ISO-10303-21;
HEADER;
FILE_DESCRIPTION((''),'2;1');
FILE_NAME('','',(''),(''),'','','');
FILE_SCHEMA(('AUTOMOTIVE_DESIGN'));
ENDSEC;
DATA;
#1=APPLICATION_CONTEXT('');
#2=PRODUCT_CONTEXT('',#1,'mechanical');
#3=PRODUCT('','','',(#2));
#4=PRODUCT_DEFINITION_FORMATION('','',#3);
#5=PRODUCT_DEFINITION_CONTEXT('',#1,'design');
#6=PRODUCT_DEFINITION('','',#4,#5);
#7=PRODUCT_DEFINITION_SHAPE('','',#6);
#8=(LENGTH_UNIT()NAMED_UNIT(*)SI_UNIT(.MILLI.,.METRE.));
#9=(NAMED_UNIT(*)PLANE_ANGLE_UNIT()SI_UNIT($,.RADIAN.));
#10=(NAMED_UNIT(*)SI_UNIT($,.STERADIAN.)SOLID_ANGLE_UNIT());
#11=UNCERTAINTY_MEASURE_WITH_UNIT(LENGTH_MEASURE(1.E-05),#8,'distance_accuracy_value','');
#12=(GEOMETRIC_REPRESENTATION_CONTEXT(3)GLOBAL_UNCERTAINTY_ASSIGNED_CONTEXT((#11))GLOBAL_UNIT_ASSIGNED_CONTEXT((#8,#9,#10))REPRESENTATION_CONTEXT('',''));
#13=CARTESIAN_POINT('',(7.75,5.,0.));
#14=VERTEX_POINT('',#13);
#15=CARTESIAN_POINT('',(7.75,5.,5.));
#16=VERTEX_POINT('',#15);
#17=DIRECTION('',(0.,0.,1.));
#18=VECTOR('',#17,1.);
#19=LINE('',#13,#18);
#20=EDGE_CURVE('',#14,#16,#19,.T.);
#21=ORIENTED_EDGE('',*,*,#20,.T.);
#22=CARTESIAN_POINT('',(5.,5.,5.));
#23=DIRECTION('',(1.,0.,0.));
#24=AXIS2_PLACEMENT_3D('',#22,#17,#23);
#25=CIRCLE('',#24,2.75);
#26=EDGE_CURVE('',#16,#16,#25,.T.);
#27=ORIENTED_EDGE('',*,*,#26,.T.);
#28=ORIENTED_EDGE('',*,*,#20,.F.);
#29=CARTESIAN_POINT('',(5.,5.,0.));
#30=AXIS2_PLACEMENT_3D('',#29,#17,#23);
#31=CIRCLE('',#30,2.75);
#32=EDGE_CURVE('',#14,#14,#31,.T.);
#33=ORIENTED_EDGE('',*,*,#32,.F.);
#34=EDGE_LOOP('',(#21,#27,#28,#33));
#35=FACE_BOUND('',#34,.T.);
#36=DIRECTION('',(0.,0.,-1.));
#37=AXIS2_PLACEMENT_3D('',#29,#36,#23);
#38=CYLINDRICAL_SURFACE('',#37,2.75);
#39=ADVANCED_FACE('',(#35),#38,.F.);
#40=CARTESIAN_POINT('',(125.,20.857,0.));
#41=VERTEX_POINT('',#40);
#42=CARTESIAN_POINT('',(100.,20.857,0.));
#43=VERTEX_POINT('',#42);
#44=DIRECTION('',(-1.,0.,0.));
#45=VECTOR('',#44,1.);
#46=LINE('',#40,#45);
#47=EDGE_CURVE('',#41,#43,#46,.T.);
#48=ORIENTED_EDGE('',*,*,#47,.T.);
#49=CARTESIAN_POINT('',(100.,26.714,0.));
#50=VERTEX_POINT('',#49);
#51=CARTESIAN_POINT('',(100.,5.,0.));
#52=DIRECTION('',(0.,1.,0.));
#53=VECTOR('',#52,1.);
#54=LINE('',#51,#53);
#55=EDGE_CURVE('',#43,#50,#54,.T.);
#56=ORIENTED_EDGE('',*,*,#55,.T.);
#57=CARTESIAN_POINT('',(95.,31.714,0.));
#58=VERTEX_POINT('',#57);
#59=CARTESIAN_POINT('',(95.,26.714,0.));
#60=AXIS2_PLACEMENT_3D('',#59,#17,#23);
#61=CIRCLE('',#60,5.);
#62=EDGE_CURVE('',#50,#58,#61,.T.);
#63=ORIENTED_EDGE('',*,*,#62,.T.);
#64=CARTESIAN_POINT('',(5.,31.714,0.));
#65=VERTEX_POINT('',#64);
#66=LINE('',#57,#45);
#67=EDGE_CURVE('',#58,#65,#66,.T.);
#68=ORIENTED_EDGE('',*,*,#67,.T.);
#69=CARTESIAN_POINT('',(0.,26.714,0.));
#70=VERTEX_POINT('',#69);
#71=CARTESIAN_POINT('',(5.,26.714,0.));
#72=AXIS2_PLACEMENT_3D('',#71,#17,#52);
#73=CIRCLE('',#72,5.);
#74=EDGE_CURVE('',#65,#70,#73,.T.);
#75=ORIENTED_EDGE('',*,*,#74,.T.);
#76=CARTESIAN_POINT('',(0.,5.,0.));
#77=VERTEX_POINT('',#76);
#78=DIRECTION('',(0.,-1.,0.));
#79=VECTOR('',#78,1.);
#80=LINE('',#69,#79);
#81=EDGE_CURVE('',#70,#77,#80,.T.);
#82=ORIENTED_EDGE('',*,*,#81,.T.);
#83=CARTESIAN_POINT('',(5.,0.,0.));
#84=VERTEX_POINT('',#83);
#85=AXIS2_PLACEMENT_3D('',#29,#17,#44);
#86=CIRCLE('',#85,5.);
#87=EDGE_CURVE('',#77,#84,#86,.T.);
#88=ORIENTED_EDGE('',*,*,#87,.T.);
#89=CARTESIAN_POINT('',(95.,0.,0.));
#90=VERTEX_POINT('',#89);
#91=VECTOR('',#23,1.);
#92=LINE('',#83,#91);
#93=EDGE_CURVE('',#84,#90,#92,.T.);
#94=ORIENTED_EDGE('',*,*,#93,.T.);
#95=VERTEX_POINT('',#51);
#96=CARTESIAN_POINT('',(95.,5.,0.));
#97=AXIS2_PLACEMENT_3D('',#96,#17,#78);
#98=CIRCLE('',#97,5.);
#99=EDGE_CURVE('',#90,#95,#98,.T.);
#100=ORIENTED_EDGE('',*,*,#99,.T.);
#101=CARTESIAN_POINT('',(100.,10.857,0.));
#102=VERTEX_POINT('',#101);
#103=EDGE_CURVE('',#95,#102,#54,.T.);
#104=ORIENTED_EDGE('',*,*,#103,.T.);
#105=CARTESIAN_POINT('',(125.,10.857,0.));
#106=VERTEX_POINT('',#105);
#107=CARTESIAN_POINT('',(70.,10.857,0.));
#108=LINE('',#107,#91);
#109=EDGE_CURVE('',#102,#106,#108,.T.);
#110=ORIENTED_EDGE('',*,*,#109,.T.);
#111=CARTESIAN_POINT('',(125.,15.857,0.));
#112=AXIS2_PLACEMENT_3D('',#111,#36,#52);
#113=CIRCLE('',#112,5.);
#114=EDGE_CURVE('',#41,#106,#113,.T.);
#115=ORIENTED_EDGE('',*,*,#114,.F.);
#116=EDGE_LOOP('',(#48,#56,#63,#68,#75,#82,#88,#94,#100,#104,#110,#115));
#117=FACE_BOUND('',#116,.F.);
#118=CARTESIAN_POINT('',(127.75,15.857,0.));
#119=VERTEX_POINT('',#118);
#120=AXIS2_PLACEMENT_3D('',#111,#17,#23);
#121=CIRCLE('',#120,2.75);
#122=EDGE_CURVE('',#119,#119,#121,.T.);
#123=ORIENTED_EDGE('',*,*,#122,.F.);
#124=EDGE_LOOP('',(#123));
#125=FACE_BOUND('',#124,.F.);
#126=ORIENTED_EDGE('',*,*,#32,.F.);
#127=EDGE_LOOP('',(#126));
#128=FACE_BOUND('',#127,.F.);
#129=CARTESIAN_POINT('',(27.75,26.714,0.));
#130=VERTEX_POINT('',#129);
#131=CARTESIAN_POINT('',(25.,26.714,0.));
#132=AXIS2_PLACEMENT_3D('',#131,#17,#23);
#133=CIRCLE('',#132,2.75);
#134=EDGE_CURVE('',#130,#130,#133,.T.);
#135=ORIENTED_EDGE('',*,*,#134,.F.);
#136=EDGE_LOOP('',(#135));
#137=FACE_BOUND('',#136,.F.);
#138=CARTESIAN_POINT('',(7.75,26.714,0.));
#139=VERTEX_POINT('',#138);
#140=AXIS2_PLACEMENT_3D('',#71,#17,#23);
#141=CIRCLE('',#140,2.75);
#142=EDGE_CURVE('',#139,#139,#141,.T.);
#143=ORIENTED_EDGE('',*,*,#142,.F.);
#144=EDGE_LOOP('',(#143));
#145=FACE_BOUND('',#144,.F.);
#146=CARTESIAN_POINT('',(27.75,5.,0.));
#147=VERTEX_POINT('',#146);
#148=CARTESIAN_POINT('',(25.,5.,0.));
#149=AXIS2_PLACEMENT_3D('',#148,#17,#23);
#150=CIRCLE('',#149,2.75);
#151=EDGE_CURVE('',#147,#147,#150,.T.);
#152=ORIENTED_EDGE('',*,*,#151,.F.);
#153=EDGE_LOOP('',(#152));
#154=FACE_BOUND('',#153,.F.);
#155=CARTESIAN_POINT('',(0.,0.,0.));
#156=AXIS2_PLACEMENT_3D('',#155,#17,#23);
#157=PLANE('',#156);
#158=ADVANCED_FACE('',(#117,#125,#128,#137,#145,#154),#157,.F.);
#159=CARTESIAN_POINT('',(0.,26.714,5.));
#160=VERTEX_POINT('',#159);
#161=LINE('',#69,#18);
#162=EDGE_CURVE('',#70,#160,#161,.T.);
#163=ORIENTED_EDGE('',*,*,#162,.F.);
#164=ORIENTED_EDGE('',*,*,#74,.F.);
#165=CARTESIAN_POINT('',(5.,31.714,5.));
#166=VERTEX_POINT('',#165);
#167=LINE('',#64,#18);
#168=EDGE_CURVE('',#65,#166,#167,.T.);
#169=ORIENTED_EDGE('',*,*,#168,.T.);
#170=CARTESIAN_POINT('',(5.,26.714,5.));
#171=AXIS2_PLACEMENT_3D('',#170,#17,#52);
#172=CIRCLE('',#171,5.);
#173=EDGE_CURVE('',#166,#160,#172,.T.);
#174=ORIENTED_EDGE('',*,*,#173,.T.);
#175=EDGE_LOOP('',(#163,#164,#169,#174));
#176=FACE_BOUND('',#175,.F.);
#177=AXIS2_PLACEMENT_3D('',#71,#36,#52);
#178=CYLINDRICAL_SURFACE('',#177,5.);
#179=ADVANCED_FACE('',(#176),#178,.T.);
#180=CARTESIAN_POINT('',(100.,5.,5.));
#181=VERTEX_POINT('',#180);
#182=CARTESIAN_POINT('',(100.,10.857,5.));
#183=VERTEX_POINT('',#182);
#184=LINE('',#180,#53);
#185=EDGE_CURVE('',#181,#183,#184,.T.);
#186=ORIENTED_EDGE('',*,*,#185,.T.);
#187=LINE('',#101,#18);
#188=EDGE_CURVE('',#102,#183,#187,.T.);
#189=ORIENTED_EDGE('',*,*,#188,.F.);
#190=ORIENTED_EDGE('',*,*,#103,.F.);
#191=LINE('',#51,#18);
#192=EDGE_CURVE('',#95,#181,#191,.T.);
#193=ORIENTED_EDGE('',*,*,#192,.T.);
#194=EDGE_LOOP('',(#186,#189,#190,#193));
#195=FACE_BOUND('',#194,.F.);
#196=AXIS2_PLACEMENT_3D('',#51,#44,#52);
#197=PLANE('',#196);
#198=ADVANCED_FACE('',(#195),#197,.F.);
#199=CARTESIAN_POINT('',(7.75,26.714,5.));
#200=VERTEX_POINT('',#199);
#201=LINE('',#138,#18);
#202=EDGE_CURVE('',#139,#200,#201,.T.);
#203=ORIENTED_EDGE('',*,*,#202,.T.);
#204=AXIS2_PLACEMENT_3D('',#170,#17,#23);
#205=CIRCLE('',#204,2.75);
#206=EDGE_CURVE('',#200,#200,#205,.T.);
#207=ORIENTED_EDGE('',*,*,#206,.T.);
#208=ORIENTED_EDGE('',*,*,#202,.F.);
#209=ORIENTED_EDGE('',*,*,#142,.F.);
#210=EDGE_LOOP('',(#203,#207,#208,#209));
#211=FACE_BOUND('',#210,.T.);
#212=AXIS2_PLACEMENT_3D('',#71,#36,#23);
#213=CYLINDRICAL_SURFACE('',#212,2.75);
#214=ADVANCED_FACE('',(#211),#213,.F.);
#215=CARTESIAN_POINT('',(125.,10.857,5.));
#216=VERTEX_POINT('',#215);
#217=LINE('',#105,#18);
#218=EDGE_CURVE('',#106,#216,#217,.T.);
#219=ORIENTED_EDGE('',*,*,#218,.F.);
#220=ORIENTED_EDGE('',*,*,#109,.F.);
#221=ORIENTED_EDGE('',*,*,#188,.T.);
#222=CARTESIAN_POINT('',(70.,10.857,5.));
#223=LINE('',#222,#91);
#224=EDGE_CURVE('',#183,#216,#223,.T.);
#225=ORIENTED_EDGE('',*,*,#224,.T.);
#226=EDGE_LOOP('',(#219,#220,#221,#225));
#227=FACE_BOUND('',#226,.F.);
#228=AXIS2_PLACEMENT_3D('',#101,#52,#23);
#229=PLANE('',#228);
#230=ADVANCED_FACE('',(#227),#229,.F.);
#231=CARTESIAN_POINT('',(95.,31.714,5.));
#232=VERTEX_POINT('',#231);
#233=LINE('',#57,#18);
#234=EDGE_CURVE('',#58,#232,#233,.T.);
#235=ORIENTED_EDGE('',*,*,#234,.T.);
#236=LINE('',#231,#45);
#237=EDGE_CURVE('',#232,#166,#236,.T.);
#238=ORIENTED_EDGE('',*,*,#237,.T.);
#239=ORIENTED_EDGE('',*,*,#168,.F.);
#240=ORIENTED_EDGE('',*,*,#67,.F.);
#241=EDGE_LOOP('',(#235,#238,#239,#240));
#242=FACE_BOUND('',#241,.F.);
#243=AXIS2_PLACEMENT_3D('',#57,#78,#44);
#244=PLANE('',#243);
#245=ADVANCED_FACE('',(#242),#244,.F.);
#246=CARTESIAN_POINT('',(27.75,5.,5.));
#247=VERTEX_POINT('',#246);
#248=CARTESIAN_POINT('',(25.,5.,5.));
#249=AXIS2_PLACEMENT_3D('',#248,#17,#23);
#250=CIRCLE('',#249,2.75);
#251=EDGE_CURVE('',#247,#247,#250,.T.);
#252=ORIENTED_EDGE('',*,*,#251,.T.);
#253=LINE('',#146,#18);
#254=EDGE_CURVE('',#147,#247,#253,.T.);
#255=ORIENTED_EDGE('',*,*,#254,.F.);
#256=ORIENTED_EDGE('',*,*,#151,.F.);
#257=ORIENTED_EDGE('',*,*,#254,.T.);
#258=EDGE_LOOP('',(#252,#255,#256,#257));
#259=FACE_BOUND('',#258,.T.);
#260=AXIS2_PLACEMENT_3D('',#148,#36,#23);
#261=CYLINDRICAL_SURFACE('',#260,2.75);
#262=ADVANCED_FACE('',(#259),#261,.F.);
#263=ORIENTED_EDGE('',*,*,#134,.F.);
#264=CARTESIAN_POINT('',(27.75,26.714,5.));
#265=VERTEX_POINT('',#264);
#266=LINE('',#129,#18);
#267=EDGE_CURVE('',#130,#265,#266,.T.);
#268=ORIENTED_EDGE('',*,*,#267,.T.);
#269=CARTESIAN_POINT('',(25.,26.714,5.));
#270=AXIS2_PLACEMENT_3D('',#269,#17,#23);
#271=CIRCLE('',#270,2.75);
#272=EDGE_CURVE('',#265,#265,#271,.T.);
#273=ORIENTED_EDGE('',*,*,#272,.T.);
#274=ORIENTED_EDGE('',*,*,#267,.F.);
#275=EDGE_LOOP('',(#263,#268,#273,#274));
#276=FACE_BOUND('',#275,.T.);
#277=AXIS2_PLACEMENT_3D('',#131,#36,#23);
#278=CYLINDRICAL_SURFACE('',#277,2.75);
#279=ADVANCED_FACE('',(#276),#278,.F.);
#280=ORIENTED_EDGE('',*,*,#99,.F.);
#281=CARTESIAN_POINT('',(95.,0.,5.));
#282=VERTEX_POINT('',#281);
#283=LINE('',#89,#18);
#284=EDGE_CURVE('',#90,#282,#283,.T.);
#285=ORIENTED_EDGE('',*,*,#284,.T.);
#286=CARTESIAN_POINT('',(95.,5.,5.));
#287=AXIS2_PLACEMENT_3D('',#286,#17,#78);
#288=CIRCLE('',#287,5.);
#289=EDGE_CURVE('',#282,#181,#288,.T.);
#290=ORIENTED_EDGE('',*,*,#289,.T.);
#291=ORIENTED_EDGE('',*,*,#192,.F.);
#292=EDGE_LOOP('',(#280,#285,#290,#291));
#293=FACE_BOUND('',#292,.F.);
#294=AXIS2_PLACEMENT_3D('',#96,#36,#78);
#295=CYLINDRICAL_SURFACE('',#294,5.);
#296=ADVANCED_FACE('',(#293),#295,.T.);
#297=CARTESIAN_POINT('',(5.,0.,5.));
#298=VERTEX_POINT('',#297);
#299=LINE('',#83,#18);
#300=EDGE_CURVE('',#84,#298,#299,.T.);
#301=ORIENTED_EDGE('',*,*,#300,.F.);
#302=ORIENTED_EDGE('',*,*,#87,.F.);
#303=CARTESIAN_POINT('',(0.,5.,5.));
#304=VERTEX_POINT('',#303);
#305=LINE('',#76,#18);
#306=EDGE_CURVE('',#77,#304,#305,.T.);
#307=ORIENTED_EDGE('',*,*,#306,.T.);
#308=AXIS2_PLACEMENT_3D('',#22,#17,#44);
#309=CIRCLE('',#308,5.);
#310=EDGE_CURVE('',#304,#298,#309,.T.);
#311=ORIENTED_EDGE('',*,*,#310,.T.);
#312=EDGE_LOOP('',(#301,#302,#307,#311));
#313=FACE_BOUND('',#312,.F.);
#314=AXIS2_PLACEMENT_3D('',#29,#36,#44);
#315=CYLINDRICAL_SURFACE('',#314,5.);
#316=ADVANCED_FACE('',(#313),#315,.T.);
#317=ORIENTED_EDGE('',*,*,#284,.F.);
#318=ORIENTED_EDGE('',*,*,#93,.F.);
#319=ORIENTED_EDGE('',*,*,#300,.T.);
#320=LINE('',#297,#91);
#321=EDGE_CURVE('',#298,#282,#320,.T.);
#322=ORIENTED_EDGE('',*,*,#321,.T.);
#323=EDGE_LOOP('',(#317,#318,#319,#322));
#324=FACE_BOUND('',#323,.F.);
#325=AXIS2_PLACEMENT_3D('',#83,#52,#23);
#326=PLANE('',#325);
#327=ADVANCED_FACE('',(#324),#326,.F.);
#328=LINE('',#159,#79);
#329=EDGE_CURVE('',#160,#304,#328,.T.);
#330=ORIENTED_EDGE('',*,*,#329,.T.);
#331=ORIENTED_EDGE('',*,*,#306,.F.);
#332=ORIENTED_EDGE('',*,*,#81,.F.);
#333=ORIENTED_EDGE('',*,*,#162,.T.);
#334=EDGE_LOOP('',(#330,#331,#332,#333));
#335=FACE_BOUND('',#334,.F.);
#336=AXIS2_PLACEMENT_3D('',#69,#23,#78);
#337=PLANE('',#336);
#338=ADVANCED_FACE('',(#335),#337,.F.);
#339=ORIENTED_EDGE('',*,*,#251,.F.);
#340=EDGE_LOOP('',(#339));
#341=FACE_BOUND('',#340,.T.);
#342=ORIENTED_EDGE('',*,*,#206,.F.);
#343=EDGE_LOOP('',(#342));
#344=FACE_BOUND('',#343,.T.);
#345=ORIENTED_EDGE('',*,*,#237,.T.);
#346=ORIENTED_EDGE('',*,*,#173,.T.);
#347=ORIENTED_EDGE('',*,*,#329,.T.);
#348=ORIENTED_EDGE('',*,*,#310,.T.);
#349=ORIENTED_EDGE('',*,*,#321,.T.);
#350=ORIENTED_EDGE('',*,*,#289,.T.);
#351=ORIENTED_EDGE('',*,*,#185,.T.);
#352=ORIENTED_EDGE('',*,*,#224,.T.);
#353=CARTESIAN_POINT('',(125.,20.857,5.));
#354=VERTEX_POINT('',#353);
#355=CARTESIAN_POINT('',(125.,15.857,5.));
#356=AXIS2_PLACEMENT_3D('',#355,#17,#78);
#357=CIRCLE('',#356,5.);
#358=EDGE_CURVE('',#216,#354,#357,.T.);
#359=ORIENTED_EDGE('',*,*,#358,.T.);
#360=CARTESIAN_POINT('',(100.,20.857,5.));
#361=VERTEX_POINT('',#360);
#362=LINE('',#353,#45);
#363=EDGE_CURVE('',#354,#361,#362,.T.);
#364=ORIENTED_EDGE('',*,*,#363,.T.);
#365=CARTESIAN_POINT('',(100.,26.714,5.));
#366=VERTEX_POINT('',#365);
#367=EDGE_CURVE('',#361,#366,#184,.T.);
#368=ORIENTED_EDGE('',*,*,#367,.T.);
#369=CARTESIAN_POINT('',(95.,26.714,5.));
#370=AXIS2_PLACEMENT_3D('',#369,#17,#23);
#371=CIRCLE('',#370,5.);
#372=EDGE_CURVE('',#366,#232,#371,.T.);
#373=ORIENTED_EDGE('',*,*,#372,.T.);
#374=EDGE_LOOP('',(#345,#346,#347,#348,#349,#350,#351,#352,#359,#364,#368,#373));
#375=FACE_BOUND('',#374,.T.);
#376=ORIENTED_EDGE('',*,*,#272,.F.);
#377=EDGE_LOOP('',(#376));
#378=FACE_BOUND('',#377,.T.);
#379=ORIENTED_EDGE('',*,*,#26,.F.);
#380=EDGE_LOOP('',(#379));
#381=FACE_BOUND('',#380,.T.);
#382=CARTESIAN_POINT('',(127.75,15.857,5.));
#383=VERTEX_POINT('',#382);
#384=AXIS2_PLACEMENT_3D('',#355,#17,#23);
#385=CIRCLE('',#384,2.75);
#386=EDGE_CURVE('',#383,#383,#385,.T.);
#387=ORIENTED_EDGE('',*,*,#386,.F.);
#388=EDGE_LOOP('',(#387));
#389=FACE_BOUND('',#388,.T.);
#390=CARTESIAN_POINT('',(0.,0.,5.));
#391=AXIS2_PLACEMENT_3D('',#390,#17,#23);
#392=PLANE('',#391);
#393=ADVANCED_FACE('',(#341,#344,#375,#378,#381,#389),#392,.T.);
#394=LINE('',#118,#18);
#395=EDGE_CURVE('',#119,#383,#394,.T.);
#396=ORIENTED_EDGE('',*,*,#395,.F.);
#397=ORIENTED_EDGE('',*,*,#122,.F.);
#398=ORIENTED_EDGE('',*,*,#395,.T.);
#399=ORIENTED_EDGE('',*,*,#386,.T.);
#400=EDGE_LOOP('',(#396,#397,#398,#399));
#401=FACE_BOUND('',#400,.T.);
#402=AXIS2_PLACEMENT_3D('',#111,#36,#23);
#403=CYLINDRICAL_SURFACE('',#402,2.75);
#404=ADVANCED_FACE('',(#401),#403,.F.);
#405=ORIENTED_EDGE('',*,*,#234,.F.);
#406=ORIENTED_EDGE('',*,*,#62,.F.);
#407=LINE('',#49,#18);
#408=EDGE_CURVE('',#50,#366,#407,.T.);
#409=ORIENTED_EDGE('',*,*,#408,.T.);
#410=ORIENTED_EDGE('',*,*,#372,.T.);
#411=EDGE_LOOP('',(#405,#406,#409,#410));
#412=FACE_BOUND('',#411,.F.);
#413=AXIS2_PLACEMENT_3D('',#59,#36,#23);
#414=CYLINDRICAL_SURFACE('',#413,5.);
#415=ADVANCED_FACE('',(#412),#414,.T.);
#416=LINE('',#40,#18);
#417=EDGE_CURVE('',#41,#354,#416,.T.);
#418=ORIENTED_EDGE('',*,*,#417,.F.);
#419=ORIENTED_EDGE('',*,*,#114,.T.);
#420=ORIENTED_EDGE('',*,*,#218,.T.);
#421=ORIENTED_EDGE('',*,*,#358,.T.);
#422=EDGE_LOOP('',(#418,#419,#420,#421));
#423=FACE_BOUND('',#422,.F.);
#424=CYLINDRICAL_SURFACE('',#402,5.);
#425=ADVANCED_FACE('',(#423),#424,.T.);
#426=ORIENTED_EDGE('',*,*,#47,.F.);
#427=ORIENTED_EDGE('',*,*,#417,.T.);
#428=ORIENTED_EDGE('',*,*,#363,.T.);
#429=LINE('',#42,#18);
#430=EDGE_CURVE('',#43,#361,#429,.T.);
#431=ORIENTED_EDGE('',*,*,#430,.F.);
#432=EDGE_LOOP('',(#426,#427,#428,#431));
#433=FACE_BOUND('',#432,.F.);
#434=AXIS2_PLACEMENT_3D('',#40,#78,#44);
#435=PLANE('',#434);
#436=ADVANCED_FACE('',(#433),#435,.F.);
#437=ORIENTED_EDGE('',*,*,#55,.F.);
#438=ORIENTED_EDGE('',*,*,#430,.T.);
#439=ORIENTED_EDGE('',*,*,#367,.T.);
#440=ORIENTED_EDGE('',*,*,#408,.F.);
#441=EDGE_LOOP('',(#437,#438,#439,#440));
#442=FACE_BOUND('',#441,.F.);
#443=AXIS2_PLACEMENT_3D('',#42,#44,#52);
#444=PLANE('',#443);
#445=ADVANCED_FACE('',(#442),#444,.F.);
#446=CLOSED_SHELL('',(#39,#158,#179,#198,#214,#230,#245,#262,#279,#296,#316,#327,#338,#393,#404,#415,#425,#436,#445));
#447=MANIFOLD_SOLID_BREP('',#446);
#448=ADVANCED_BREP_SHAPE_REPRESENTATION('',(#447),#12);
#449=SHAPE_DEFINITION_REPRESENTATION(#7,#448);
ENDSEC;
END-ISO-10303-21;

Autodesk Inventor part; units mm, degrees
ref_plane "YZ Plane" through (0, 0, 0) normal (1, 0, 0) x (0, 1, 0)
ref_plane "XZ Plane" through (0, 0, 0) normal (0, 1, 0) x (-1, 0, 0)
ref_plane "XY Plane" through (0, 0, 0) normal (0, 0, 1) x (1, 0, 0)
sketch "Sketch1" plane through (0, 0, 0) normal (0, 0, 1) x (1, 0, 0)
  line L0 (5, 0) -> (95, 0)
  line L1 (100, 5) -> (100, 26.714)
  line L2 (95, 31.714) -> (5, 31.714)
  line L3 (0, 26.714) -> (0, 5)
  arc A0 (5, 31.714) -> (0, 26.714) centre (5, 26.714) ccw
  arc A1 (0, 5) -> (5, 0) centre (5, 5) ccw
  circle A2 centre (5, 5) radius 2.75
  circle A3 centre (5, 26.714) radius 2.75
  circle A4 centre (25, 26.714) radius 2.75
  circle A5 centre (25, 5) radius 2.75
  arc A6 (100, 26.714) -> (95, 31.714) centre (95, 26.714) ccw
  arc A7 (95, 0) -> (100, 5) centre (95, 5) ccw
  line L4 (125, 20.857) -> (70, 20.857)
  line L5 (70, 20.857) -> (70, 10.857)
  line L6 (70, 10.857) -> (125, 10.857)
  line L7 (130, 15.857) -> (130, 15.857)
  line L8 (130, 20.857) -> (70, 10.857) construction
  line L9 (70, 20.857) -> (130, 10.857) construction
  circle A8 centre (125, 15.857) radius 2.75
  arc A9 (130, 15.857) -> (125, 20.857) centre (125, 15.857) ccw
  arc A10 (125, 10.857) -> (130, 15.857) centre (125, 15.857) ccw
  point P0 (0, 0)
  point P1 (100, 31.714)
  point P2 (100, 0)
  point P3 (100, 15.857)
  point P4 (0, 15.857)
  point P5 (100, 10.857)
  point P6 (100, 20.857)
  dimension "d0" = 100
  dimension "d1" = 31.714
  dimension "d2" = 5
  dimension "d3" = 5.5
  dimension "d4" = 5.5
  dimension "d5" = 21.714
  dimension "d8" = 20
  dimension "d13" = 5
  dimension "d14" = 10
  dimension "d15" = 60
  dimension "d16" = 5.5
  dimension "d17" = 5
  dimension "d18" = 5
extrude "Extrusion1" add sketch "Sketch1" along normal blind 5
properties part number "Arm2"
